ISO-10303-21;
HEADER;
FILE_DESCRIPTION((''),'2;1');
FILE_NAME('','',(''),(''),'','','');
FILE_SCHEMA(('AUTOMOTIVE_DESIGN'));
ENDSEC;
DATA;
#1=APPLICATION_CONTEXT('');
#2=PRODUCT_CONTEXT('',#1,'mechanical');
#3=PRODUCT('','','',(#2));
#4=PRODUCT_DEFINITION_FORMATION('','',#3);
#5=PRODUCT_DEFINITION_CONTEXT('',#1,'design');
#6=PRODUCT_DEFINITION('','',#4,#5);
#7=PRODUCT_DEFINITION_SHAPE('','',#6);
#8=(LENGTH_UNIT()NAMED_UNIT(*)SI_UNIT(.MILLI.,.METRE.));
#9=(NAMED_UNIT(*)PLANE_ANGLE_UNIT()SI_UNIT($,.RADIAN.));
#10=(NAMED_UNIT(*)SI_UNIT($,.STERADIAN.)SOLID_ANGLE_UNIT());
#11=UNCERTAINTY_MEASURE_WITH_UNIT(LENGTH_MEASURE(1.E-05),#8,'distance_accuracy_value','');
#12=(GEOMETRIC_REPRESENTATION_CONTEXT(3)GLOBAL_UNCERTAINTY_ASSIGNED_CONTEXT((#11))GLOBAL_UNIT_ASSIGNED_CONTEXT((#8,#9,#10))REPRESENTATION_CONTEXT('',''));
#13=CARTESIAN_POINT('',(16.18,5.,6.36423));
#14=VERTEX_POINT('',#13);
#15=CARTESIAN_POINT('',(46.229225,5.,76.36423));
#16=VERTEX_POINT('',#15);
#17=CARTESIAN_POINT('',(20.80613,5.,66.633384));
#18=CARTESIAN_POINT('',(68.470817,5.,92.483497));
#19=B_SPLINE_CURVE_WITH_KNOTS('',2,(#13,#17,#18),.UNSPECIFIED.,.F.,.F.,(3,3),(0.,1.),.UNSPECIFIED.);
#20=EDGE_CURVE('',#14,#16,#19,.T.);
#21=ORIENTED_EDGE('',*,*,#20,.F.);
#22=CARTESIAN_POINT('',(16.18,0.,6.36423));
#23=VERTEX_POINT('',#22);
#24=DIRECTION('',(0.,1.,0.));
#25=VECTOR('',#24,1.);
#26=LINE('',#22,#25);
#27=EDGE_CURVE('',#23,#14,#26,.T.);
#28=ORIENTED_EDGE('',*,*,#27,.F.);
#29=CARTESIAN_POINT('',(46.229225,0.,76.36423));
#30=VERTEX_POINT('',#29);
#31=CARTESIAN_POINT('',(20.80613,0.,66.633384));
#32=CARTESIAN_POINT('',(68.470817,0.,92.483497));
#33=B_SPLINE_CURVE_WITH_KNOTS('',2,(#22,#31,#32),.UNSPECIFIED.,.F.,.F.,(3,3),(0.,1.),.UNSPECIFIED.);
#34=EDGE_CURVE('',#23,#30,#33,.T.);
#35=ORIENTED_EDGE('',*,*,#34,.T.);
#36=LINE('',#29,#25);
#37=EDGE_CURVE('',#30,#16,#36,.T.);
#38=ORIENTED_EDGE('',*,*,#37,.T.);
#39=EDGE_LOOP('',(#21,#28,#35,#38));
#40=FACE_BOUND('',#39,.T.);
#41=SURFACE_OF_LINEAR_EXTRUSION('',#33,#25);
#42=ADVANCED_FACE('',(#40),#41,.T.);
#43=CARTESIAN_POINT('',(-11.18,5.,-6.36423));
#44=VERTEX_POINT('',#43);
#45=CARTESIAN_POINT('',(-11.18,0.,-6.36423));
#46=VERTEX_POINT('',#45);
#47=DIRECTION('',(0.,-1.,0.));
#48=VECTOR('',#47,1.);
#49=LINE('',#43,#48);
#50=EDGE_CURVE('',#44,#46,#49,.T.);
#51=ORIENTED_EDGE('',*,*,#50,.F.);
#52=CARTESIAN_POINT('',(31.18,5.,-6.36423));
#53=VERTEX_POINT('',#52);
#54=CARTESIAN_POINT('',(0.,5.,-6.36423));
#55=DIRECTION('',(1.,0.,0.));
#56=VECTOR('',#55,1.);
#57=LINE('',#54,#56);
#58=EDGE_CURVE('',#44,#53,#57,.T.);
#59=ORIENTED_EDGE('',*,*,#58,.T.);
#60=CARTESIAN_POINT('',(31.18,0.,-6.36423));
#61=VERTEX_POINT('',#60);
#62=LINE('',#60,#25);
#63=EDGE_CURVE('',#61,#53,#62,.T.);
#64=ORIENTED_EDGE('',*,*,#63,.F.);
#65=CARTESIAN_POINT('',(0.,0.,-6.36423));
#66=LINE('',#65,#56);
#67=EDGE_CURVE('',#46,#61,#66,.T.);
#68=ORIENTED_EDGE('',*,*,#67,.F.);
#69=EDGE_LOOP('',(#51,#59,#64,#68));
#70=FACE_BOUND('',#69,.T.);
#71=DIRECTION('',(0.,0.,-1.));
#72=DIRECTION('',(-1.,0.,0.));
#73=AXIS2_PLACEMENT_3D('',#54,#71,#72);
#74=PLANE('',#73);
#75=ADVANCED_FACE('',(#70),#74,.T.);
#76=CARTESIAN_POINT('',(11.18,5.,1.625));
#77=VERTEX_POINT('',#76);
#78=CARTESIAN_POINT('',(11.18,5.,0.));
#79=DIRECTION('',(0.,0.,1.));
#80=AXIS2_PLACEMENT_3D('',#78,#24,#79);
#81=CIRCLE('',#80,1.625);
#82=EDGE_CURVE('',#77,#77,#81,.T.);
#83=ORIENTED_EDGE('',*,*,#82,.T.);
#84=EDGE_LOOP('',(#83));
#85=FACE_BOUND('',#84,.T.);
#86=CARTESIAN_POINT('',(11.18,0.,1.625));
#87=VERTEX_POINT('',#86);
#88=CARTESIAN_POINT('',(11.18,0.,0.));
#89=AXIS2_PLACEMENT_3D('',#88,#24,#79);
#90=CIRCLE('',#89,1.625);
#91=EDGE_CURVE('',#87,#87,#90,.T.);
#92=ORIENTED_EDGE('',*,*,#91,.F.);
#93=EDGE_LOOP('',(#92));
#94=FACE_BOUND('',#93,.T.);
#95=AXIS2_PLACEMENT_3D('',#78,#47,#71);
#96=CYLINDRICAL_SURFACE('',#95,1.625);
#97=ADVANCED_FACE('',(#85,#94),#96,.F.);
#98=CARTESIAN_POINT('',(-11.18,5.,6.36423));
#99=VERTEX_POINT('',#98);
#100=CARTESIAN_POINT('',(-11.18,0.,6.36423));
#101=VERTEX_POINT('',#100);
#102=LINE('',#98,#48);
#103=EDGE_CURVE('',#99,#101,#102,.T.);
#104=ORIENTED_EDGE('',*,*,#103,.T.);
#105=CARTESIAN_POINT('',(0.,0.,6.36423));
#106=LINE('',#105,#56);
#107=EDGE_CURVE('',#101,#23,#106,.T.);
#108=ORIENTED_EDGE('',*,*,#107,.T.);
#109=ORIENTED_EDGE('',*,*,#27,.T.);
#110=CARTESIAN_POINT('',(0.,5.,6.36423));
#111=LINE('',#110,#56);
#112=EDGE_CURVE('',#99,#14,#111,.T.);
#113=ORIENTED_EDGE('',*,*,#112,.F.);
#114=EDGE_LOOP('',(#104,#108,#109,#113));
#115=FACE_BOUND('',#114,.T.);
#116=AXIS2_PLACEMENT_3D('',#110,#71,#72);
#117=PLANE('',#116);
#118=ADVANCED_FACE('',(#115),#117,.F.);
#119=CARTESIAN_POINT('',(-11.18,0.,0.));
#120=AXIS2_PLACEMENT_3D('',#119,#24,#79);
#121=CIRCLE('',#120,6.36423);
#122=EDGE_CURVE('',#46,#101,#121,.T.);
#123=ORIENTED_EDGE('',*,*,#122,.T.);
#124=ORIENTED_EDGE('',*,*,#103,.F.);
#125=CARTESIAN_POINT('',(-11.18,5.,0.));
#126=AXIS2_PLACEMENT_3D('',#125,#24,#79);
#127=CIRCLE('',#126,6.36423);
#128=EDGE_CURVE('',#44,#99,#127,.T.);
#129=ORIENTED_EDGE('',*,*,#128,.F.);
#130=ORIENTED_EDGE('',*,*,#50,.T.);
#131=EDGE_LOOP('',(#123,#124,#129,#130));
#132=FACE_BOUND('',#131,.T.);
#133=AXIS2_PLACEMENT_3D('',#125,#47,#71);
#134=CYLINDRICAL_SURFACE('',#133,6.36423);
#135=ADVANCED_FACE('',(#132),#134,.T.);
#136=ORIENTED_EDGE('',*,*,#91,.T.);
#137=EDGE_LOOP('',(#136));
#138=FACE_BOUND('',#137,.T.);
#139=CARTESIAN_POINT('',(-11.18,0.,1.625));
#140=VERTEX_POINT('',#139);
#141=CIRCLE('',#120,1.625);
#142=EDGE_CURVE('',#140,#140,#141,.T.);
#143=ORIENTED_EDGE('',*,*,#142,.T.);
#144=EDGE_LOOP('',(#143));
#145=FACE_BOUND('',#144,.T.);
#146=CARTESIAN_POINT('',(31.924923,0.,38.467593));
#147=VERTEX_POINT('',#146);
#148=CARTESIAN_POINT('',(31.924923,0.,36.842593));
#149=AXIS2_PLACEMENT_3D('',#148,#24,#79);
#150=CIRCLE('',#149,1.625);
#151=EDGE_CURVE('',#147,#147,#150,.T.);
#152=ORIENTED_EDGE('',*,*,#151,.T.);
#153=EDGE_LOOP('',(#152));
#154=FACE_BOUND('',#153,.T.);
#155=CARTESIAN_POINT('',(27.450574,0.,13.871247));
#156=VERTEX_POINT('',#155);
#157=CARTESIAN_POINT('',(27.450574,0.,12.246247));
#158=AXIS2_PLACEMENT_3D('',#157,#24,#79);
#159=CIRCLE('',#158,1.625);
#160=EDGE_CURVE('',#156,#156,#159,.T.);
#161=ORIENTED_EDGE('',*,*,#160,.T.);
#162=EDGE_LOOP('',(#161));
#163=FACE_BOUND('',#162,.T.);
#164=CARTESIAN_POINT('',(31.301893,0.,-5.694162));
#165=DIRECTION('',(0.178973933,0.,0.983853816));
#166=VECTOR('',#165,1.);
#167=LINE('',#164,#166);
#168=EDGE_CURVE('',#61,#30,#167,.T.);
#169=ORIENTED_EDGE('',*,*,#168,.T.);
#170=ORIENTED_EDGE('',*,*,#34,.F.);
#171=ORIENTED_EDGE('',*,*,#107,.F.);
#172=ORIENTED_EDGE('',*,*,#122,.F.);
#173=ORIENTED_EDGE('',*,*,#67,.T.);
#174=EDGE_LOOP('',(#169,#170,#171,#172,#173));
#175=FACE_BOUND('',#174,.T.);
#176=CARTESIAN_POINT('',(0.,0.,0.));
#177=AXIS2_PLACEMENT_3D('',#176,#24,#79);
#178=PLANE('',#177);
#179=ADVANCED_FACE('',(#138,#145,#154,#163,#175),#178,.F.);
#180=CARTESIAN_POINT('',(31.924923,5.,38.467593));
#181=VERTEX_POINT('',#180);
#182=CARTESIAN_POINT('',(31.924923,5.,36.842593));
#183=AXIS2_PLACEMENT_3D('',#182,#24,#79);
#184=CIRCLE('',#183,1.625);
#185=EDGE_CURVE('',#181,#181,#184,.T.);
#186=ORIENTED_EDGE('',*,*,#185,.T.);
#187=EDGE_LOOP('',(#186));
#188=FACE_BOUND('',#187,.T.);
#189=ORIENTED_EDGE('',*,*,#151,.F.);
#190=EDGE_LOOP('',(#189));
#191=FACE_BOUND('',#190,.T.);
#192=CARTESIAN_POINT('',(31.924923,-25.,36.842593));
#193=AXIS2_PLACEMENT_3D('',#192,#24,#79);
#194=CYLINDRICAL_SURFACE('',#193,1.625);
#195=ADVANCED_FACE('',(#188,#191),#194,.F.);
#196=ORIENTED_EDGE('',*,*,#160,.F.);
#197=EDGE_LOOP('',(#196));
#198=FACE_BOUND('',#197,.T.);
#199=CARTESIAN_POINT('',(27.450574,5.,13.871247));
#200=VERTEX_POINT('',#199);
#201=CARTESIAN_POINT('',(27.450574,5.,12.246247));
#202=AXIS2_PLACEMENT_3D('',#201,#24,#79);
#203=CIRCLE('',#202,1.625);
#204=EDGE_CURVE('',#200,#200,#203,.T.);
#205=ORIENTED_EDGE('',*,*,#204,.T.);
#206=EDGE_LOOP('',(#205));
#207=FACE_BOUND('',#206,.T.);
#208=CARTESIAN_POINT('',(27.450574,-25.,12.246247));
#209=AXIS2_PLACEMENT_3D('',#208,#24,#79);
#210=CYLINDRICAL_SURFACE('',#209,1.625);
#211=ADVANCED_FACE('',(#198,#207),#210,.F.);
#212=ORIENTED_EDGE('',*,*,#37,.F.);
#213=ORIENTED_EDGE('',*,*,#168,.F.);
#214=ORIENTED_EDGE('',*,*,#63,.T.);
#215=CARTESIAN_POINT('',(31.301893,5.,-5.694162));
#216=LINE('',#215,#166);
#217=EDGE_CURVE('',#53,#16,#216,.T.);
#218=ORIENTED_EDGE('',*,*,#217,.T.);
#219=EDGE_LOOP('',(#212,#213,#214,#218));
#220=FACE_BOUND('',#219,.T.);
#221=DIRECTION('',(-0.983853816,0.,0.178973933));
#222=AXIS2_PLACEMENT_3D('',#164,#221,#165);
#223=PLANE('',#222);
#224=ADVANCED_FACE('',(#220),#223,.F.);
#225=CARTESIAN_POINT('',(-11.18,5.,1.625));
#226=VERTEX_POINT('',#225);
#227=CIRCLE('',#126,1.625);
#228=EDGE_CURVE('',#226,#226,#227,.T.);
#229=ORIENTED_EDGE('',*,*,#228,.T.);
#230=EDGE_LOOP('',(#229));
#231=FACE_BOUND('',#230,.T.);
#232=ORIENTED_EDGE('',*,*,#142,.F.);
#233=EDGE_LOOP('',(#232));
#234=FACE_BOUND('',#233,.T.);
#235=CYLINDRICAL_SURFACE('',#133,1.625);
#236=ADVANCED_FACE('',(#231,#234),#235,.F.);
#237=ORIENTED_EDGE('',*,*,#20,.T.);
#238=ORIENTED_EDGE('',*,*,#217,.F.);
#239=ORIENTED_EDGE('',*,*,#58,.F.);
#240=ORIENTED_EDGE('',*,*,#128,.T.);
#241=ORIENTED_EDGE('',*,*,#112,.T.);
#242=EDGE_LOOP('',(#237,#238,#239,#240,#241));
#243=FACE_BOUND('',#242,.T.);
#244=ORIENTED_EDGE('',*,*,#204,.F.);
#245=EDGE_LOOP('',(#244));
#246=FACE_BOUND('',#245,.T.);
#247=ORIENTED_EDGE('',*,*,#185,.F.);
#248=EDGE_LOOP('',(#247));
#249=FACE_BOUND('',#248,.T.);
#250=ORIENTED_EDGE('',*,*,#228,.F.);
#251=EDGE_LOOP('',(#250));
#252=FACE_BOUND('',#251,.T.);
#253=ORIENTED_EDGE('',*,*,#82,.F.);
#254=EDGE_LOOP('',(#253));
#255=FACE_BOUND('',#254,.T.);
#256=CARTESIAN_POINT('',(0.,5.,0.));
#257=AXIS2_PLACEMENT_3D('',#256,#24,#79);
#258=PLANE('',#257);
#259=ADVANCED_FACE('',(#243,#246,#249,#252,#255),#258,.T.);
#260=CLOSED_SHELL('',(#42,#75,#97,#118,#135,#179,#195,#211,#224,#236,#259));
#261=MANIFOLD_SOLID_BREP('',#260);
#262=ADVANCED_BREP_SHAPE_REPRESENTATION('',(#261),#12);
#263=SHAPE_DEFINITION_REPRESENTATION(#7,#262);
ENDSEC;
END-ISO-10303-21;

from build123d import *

# Parameters (mm, degrees)
SKETCH1_R           = 1.625
BOSS_EXTRUDE1_DEPTH = 5
BOSS_EXTRUDE2_START = -5
BOSS_EXTRUDE2_DEPTH = 5
SKETCH3_R           = 1.625
CUT_EXTRUDE1_DEPTH  = 30


with BuildPart() as part:
    # Sketch1 → Boss-Extrude1 (new body)
    with BuildSketch(Plane(origin=(0, 0, 0), x_dir=(1, 0, 0), z_dir=(0, 1, 0))):
        with BuildLine():
            Line((11.18, 6.364229765), (-11.18, 6.364229765))
            ThreePointArc((-11.18, 6.364229765), (-17.544229765, 0), (-11.18, -6.364229765))
            Line((-11.18, -6.364229765), (11.18, -6.364229765))
            ThreePointArc((11.18, -6.364229765), (17.544229765, 0), (11.18, 6.364229765))
        make_face()
        with Locations((-11.18, 0)):
            Circle(SKETCH1_R, mode=Mode.SUBTRACT)
        with Locations((11.18, 0)):
            Circle(SKETCH1_R, mode=Mode.SUBTRACT)
    extrude(amount=BOSS_EXTRUDE1_DEPTH)

    # Sketch2 → Boss-Extrude2 (add)
    with BuildSketch(Plane(origin=(0, 5, 0), x_dir=(1, 0, 0), z_dir=(0, 1, 0)).offset(BOSS_EXTRUDE2_START)):
        with BuildLine():
            ThreePointArc((11.18, 6.364229765), (17.544229765, 0), (11.18, -6.364229765))
            Line((11.18, -6.364229765), (16.18, -6.364229765))
            add(Edge.make_bspline(
                [(16.18, -6.364229765), (19.580097968, -50.660653283), (46.22922531, -76.364229765)],
                knots=[0, 0, 0, 0.734976688, 0.734976688, 0.734976688], degree=2))
            Line((46.22922531, -76.364229765), (31.18, 6.364229765))
            Line((31.18, 6.364229765), (11.18, 6.364229765))
        make_face()
    extrude(amount=BOSS_EXTRUDE2_DEPTH)

    # Sketch3 → Cut-Extrude1 (cut)
    with BuildSketch(Plane(origin=(0, 5, 0), x_dir=(1, 0, 0), z_dir=(0, 1, 0))):
        with Locations((27.4505743, -12.246247431)):
            Circle(SKETCH3_R)
        with Locations((31.924922619, -36.842592833)):
            Circle(SKETCH3_R)
    extrude(amount=-CUT_EXTRUDE1_DEPTH, mode=Mode.SUBTRACT)


solid = part.part
